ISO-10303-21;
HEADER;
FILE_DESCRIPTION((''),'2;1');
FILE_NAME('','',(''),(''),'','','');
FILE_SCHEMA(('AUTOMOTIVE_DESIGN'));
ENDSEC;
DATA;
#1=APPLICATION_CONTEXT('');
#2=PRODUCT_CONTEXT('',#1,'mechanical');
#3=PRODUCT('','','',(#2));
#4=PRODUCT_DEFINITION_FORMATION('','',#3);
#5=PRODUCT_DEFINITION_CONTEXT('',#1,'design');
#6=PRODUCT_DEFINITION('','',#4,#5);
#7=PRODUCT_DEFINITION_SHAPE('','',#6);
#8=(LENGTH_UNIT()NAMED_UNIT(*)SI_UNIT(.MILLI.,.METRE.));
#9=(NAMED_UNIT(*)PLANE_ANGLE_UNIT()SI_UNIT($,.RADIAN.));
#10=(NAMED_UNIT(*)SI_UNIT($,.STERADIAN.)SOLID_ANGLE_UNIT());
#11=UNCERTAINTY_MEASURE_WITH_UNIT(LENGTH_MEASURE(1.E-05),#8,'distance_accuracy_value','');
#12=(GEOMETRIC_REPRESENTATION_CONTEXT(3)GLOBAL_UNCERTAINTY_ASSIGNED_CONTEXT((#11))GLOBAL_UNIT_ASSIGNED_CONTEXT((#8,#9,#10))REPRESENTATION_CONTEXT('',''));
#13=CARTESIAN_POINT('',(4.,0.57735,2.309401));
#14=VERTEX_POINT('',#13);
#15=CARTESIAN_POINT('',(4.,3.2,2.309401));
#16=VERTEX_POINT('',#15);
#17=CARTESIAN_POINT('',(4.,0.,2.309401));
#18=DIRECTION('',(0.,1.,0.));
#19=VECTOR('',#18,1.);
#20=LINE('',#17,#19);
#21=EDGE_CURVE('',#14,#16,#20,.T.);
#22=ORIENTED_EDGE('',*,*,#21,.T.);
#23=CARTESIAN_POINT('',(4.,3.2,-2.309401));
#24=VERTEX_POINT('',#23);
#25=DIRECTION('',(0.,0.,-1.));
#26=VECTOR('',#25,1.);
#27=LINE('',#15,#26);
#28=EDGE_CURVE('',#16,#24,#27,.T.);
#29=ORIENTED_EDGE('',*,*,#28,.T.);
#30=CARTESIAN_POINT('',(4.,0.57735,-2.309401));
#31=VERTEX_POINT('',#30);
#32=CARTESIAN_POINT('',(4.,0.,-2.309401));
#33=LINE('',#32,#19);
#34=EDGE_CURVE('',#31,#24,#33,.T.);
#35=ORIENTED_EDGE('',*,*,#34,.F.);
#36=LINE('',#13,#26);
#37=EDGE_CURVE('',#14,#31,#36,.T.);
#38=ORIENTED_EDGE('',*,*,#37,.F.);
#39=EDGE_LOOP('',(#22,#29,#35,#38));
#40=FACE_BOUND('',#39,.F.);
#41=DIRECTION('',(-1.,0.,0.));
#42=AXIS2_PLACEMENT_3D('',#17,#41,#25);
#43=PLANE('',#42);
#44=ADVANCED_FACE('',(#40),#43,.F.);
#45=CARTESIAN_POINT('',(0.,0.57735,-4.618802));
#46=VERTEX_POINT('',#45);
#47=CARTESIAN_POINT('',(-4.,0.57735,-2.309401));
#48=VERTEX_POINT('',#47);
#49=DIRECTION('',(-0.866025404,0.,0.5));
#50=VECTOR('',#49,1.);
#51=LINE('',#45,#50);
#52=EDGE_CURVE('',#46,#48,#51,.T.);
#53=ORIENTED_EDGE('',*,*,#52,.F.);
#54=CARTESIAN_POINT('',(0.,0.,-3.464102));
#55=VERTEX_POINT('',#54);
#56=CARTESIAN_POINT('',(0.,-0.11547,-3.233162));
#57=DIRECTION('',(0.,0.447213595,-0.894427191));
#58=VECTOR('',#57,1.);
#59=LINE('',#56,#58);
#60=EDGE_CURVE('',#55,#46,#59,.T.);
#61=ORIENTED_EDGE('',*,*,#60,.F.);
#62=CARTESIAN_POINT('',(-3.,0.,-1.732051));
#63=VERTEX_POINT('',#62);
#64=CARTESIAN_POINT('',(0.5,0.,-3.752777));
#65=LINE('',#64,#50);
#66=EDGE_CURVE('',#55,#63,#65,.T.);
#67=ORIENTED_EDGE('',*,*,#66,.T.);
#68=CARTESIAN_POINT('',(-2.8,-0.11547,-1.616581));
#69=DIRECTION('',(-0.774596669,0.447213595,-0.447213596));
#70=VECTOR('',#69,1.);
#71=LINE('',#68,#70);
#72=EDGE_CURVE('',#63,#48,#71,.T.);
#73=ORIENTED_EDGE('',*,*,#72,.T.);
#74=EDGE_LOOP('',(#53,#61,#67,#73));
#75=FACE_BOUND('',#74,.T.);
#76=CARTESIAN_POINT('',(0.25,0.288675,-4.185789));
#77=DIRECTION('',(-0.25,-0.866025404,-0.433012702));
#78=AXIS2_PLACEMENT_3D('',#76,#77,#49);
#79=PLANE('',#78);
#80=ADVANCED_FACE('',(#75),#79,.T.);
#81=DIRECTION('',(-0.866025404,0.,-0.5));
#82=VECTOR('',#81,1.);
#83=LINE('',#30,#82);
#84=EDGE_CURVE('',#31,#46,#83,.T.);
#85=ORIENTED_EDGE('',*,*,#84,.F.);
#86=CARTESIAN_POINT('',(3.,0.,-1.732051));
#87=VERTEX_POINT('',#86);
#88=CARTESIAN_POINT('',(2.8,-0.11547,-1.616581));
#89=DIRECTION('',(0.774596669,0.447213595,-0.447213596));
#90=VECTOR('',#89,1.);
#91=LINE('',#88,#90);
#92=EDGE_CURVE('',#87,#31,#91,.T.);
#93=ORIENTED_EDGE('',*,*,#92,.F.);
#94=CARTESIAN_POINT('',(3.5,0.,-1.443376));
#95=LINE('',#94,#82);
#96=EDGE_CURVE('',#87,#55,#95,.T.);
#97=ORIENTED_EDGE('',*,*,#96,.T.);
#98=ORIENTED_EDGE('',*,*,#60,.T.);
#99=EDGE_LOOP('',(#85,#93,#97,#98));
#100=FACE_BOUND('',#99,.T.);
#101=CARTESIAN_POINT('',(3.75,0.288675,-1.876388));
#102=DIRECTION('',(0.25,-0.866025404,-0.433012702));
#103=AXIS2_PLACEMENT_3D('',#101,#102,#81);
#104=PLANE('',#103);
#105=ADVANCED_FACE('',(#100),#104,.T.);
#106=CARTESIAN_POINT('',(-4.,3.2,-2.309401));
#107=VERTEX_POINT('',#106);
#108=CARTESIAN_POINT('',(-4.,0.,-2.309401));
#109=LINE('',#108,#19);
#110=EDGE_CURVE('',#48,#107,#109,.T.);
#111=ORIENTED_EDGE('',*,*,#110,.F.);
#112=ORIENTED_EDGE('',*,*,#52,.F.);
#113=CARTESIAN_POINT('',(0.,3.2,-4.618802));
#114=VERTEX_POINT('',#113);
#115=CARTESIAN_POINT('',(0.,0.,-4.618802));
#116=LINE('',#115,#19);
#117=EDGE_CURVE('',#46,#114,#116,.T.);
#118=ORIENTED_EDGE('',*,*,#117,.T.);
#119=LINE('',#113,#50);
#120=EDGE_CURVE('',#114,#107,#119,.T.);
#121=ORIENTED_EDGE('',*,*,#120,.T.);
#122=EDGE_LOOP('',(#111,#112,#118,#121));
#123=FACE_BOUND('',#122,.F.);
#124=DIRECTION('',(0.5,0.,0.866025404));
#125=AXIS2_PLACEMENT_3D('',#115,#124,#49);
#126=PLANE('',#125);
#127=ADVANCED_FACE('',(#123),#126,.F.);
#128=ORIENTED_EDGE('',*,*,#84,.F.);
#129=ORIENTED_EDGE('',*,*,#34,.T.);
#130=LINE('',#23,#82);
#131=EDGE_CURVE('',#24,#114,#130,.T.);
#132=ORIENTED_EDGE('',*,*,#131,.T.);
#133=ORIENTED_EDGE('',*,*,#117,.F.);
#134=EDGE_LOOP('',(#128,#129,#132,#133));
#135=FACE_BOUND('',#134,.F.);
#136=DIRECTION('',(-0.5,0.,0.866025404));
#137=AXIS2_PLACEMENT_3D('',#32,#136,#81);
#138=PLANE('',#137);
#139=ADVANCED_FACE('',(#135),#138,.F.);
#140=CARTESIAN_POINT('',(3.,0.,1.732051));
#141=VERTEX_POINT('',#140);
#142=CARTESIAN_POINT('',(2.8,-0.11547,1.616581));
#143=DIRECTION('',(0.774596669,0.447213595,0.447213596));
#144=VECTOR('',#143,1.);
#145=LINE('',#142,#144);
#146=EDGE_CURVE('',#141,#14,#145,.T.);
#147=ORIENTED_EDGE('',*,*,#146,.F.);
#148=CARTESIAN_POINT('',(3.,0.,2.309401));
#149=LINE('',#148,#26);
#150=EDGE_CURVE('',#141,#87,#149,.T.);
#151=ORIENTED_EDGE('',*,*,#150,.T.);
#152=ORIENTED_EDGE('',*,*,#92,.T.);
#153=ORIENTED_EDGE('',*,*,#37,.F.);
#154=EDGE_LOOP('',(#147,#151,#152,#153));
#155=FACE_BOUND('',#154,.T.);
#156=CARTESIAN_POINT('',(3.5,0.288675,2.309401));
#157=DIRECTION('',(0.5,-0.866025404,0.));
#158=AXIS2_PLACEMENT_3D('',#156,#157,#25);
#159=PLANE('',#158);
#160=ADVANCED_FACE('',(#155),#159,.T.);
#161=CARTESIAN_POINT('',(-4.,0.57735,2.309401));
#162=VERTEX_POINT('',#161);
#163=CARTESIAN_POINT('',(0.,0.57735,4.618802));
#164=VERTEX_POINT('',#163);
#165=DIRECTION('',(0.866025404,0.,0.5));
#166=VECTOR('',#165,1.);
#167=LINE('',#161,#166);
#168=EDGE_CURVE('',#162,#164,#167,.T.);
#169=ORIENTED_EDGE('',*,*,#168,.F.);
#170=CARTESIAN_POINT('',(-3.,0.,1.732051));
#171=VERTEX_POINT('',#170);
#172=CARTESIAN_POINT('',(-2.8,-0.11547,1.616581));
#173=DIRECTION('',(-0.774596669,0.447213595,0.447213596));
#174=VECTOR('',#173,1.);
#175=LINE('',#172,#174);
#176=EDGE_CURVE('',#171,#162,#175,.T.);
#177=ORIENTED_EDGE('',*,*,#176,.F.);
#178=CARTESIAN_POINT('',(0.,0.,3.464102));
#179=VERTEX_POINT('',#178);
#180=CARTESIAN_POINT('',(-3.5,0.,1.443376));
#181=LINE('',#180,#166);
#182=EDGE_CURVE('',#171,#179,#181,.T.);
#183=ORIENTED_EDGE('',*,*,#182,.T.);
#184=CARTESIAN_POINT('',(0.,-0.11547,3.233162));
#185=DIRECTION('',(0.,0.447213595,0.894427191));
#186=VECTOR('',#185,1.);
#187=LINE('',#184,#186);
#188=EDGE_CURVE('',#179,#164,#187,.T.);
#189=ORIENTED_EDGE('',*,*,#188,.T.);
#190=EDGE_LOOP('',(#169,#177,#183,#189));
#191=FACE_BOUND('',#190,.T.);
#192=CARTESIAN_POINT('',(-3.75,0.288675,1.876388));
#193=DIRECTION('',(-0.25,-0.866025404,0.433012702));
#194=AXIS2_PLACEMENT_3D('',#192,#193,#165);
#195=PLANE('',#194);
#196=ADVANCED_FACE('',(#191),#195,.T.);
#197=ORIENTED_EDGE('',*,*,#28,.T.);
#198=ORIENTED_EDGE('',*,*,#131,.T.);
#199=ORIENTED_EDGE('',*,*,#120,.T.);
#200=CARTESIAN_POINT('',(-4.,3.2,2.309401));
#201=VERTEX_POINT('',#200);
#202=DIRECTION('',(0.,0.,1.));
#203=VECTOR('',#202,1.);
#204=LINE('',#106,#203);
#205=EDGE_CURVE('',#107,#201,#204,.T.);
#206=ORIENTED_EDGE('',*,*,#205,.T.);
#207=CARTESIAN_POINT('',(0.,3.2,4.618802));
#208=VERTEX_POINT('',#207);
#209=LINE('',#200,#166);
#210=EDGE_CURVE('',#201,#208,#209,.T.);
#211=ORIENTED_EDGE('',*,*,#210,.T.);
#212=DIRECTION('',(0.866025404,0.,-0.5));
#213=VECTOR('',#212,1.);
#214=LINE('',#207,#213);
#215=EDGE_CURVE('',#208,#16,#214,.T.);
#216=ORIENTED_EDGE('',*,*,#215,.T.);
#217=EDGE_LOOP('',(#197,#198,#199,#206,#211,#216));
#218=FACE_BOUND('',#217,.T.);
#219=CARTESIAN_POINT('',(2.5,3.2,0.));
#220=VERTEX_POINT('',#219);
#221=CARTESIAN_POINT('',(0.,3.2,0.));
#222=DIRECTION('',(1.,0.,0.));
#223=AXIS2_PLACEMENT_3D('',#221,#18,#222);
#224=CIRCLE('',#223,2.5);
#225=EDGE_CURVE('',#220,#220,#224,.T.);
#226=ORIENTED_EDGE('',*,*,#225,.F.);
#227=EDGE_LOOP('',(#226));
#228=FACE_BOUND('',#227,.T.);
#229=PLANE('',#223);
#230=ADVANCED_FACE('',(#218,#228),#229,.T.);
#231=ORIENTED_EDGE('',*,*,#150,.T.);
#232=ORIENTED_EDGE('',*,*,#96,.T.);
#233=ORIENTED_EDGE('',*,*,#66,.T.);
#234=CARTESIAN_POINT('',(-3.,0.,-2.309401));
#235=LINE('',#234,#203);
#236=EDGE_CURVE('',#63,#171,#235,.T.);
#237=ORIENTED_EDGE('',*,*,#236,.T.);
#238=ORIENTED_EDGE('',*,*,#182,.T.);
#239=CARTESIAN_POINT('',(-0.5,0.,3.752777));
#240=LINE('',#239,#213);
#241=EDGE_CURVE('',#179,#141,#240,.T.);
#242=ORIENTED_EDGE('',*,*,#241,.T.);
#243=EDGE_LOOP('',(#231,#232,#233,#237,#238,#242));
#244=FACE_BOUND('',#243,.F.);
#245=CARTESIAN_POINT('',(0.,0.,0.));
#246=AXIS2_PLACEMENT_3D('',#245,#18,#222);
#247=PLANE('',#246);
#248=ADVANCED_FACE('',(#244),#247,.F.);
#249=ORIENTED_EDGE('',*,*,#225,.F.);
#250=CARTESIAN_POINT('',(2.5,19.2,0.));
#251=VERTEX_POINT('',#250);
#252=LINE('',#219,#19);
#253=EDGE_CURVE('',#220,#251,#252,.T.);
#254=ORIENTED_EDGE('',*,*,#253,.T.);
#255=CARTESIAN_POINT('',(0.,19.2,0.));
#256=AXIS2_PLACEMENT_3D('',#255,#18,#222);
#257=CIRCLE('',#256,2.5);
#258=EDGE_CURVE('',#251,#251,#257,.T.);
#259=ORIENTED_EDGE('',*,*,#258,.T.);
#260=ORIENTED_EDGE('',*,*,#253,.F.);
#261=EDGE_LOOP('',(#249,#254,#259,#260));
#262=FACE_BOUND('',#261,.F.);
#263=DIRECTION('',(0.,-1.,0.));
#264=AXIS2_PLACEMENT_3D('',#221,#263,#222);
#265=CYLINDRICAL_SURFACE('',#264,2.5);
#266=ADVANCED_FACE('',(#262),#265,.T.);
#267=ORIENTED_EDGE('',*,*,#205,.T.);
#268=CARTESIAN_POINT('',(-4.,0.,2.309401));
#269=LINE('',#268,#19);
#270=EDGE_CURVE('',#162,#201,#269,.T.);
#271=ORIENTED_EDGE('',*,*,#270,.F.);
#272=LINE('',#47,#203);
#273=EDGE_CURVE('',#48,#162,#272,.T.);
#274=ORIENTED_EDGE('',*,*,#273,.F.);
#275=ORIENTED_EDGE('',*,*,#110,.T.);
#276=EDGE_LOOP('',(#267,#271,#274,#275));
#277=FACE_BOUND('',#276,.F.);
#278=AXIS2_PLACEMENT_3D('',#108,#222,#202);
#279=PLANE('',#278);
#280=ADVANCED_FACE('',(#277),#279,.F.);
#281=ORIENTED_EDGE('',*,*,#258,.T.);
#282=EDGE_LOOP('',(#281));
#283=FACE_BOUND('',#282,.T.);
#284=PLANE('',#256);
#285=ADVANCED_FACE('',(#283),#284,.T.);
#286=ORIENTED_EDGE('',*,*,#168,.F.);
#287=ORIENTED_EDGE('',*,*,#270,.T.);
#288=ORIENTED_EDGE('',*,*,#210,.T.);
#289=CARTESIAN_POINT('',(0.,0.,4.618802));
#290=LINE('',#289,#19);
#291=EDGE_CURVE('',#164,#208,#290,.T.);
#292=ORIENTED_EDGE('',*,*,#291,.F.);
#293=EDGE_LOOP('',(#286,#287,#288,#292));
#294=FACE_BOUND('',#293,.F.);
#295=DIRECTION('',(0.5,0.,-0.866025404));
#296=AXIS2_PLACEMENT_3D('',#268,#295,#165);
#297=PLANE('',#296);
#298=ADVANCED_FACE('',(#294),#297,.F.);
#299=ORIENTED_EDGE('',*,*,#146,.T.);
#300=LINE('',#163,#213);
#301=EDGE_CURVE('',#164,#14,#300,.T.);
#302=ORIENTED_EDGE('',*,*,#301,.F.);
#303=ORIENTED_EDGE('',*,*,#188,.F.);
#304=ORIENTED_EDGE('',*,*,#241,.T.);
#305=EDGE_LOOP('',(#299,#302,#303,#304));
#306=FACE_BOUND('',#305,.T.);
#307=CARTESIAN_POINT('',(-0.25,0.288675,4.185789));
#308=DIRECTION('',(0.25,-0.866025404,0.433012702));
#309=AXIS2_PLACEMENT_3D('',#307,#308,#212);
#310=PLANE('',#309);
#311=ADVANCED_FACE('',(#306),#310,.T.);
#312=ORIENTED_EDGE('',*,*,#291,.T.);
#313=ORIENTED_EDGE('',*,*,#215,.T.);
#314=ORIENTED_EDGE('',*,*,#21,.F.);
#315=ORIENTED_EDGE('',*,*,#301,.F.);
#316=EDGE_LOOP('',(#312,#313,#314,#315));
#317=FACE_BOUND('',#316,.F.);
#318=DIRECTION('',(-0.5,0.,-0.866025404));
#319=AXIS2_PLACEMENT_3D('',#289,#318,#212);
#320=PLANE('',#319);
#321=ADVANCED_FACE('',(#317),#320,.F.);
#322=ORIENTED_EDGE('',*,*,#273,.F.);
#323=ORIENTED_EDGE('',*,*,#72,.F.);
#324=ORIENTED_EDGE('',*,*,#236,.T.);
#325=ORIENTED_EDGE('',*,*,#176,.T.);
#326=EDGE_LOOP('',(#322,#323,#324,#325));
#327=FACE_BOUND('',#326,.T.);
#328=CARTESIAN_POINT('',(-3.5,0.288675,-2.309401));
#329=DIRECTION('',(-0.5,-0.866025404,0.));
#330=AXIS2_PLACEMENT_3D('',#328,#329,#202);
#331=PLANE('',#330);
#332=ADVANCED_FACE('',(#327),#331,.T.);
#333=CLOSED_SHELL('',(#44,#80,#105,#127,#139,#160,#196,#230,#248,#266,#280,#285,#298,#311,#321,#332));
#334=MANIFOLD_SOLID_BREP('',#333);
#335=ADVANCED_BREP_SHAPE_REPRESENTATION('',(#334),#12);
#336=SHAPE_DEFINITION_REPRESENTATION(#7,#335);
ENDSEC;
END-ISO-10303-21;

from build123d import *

# Parameters (mm, degrees)
EXTRUDE_1_DEPTH = 3.2
SKETCH_2_R      = 2.5
EXTRUDE_2_DEPTH = 16
CHAMFER_1_SIZE  = 1
CHAMFER_1_SIZE2 = 0.577350269


with BuildPart() as part:
    # Эскиз1 → Бобышка-Вытянуть1 (new body)
    with BuildSketch(Plane(origin=(0, 0, 0), x_dir=(1, 0, 0), z_dir=(0, 1, 0))):
        Polygon((4, -2.309401077), (4, 2.309401077), (0, 4.618802154), (-4, 2.309401077), (-4, -2.309401077), (0, -4.618802154), align=None)
    extrude(amount=EXTRUDE_1_DEPTH)

    # Эскиз2 → Бобышка-Вытянуть2 (add)
    with BuildSketch(Plane(origin=(0, 3.2, 0), x_dir=(1, 0, 0), z_dir=(0, 1, 0))):
        Circle(SKETCH_2_R)
    extrude(amount=EXTRUDE_2_DEPTH)

    # Фаска1
    chamfer_1_edges = [part.edges().sort_by_distance(p)[0] for p in [
        (-2, 0, 3.464101615),
        (-4, 0, 0),
        (-2, 0, -3.464101615),
        (2, 0, -3.464101615),
        (4, 0, 0),
        (2, 0, 3.464101615),
    ]]
    chamfer_1_side = [part.faces().sort_by_distance(p)[0] for p in [
        (0, 0, 0),
    ]]
    chamfer(chamfer_1_edges, length=CHAMFER_1_SIZE, length2=CHAMFER_1_SIZE2, reference=chamfer_1_side[0])


solid = part.part
